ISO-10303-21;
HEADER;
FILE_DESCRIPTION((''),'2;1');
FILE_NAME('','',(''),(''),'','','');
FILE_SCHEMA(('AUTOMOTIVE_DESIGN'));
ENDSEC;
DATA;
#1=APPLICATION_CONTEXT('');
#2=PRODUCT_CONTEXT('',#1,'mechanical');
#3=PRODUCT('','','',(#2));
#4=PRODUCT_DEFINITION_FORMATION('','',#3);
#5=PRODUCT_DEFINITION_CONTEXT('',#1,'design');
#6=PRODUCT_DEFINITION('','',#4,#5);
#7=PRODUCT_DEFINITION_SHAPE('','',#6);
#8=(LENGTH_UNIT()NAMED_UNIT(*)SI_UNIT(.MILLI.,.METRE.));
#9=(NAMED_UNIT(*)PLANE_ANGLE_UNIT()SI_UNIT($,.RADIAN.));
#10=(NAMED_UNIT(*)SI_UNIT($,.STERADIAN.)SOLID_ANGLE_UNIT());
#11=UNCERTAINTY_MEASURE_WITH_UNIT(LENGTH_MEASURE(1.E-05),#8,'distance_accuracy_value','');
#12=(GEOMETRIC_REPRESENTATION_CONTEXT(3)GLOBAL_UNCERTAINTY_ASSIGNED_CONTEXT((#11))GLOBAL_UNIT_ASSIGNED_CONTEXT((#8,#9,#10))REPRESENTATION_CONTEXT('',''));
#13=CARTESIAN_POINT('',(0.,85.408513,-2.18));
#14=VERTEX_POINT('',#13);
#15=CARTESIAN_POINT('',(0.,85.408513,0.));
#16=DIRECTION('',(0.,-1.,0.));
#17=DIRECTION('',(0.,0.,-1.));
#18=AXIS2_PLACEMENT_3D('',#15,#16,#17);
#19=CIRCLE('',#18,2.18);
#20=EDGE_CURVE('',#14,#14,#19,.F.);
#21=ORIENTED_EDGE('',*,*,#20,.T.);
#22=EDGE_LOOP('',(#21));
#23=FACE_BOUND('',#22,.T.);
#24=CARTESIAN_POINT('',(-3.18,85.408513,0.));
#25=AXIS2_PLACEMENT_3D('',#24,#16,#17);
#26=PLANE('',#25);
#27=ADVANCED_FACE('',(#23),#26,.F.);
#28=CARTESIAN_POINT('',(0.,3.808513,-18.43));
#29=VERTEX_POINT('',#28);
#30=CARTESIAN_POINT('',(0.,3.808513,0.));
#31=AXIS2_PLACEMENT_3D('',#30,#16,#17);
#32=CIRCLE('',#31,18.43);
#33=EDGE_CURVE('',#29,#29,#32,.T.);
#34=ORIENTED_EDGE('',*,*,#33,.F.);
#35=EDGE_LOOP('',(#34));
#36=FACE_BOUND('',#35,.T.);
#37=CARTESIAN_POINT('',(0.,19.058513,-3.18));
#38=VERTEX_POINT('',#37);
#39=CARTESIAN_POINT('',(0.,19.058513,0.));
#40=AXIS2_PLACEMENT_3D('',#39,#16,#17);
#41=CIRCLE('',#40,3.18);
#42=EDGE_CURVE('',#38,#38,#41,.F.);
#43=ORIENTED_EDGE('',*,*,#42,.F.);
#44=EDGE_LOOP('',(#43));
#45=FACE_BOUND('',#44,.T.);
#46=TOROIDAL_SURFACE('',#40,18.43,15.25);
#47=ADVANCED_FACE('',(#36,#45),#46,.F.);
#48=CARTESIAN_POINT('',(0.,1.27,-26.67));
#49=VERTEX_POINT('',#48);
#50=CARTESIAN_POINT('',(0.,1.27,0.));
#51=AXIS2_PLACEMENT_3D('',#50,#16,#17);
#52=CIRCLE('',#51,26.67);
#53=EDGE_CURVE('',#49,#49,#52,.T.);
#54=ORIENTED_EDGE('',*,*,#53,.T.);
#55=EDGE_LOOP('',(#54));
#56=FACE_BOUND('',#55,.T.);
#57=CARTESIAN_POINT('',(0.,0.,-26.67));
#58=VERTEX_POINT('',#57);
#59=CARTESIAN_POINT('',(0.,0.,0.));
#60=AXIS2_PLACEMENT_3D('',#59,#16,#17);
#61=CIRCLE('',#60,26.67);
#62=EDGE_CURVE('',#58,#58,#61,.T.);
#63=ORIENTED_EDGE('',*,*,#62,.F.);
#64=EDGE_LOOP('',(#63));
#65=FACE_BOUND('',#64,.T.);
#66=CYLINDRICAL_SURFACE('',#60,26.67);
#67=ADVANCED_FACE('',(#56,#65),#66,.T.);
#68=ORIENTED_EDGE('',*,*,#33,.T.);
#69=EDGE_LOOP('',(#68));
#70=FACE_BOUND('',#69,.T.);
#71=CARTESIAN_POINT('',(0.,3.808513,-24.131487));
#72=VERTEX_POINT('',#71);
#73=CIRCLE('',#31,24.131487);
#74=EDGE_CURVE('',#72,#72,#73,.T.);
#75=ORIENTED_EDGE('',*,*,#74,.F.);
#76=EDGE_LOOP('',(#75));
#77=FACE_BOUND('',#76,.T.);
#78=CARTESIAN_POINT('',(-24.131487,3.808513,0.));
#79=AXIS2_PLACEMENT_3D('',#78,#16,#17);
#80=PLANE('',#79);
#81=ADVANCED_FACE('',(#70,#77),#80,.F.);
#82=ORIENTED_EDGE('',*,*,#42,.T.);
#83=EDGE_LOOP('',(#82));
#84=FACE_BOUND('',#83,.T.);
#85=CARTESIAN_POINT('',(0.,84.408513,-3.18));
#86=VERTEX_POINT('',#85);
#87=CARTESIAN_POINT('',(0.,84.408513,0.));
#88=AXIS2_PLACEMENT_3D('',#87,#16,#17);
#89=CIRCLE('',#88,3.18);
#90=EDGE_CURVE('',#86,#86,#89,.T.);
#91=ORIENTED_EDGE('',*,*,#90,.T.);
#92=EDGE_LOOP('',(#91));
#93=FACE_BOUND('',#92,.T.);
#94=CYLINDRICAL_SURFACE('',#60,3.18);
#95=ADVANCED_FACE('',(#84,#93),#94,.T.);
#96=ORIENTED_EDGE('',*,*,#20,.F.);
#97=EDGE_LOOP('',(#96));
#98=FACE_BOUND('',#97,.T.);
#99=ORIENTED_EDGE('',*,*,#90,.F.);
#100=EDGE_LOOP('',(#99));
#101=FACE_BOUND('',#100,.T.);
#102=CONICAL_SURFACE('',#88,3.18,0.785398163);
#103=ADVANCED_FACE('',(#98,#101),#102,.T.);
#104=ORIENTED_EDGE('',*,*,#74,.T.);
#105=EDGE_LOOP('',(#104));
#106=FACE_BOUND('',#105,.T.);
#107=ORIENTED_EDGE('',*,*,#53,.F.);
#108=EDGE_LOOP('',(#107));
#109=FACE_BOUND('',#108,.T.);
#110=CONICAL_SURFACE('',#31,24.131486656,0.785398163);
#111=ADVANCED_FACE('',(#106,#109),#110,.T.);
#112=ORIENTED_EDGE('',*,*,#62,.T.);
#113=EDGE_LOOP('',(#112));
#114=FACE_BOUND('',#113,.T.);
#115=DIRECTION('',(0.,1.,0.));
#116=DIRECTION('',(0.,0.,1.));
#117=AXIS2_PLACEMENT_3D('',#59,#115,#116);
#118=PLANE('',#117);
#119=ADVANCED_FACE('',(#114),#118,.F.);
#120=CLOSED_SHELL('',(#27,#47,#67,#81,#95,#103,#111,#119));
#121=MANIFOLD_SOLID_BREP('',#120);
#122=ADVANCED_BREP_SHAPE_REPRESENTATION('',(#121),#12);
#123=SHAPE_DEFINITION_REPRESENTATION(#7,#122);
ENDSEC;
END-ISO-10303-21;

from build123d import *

# Parameters (mm, degrees)
FILLET1_R     = 15.25
CHAMFER1_SIZE = 1


with BuildPart() as part:
    # Sketch1 → Revolve1 (revolve)
    with BuildSketch(Plane.XY, mode=Mode.PRIVATE) as revolve1_sk:
        Polygon((0, 0), (-26.67, 0), (-26.67, 1.27), (-24.131486656, 3.808513344), (-3.18, 3.808513344), (-3.18, 85.408513344), (0, 85.408513344), align=None)
    revolve(revolve1_sk.sketch.rotate(Axis((0, 0, 0), (0, 1, 0)), 270), axis=Axis((0, 0, 0), (0, 1, 0)))

    # Fillet1
    fillet1_edges = [part.edges().sort_by_distance(p)[0] for p in [
        (0, 3.808513344, 3.18),
    ]]
    fillet(fillet1_edges, radius=FILLET1_R)

    # Chamfer1
    chamfer1_edges = [part.edges().sort_by_distance(p)[0] for p in [
        (0, 85.408513344, 3.18),
    ]]
    chamfer(chamfer1_edges, length=CHAMFER1_SIZE)


solid = part.part
